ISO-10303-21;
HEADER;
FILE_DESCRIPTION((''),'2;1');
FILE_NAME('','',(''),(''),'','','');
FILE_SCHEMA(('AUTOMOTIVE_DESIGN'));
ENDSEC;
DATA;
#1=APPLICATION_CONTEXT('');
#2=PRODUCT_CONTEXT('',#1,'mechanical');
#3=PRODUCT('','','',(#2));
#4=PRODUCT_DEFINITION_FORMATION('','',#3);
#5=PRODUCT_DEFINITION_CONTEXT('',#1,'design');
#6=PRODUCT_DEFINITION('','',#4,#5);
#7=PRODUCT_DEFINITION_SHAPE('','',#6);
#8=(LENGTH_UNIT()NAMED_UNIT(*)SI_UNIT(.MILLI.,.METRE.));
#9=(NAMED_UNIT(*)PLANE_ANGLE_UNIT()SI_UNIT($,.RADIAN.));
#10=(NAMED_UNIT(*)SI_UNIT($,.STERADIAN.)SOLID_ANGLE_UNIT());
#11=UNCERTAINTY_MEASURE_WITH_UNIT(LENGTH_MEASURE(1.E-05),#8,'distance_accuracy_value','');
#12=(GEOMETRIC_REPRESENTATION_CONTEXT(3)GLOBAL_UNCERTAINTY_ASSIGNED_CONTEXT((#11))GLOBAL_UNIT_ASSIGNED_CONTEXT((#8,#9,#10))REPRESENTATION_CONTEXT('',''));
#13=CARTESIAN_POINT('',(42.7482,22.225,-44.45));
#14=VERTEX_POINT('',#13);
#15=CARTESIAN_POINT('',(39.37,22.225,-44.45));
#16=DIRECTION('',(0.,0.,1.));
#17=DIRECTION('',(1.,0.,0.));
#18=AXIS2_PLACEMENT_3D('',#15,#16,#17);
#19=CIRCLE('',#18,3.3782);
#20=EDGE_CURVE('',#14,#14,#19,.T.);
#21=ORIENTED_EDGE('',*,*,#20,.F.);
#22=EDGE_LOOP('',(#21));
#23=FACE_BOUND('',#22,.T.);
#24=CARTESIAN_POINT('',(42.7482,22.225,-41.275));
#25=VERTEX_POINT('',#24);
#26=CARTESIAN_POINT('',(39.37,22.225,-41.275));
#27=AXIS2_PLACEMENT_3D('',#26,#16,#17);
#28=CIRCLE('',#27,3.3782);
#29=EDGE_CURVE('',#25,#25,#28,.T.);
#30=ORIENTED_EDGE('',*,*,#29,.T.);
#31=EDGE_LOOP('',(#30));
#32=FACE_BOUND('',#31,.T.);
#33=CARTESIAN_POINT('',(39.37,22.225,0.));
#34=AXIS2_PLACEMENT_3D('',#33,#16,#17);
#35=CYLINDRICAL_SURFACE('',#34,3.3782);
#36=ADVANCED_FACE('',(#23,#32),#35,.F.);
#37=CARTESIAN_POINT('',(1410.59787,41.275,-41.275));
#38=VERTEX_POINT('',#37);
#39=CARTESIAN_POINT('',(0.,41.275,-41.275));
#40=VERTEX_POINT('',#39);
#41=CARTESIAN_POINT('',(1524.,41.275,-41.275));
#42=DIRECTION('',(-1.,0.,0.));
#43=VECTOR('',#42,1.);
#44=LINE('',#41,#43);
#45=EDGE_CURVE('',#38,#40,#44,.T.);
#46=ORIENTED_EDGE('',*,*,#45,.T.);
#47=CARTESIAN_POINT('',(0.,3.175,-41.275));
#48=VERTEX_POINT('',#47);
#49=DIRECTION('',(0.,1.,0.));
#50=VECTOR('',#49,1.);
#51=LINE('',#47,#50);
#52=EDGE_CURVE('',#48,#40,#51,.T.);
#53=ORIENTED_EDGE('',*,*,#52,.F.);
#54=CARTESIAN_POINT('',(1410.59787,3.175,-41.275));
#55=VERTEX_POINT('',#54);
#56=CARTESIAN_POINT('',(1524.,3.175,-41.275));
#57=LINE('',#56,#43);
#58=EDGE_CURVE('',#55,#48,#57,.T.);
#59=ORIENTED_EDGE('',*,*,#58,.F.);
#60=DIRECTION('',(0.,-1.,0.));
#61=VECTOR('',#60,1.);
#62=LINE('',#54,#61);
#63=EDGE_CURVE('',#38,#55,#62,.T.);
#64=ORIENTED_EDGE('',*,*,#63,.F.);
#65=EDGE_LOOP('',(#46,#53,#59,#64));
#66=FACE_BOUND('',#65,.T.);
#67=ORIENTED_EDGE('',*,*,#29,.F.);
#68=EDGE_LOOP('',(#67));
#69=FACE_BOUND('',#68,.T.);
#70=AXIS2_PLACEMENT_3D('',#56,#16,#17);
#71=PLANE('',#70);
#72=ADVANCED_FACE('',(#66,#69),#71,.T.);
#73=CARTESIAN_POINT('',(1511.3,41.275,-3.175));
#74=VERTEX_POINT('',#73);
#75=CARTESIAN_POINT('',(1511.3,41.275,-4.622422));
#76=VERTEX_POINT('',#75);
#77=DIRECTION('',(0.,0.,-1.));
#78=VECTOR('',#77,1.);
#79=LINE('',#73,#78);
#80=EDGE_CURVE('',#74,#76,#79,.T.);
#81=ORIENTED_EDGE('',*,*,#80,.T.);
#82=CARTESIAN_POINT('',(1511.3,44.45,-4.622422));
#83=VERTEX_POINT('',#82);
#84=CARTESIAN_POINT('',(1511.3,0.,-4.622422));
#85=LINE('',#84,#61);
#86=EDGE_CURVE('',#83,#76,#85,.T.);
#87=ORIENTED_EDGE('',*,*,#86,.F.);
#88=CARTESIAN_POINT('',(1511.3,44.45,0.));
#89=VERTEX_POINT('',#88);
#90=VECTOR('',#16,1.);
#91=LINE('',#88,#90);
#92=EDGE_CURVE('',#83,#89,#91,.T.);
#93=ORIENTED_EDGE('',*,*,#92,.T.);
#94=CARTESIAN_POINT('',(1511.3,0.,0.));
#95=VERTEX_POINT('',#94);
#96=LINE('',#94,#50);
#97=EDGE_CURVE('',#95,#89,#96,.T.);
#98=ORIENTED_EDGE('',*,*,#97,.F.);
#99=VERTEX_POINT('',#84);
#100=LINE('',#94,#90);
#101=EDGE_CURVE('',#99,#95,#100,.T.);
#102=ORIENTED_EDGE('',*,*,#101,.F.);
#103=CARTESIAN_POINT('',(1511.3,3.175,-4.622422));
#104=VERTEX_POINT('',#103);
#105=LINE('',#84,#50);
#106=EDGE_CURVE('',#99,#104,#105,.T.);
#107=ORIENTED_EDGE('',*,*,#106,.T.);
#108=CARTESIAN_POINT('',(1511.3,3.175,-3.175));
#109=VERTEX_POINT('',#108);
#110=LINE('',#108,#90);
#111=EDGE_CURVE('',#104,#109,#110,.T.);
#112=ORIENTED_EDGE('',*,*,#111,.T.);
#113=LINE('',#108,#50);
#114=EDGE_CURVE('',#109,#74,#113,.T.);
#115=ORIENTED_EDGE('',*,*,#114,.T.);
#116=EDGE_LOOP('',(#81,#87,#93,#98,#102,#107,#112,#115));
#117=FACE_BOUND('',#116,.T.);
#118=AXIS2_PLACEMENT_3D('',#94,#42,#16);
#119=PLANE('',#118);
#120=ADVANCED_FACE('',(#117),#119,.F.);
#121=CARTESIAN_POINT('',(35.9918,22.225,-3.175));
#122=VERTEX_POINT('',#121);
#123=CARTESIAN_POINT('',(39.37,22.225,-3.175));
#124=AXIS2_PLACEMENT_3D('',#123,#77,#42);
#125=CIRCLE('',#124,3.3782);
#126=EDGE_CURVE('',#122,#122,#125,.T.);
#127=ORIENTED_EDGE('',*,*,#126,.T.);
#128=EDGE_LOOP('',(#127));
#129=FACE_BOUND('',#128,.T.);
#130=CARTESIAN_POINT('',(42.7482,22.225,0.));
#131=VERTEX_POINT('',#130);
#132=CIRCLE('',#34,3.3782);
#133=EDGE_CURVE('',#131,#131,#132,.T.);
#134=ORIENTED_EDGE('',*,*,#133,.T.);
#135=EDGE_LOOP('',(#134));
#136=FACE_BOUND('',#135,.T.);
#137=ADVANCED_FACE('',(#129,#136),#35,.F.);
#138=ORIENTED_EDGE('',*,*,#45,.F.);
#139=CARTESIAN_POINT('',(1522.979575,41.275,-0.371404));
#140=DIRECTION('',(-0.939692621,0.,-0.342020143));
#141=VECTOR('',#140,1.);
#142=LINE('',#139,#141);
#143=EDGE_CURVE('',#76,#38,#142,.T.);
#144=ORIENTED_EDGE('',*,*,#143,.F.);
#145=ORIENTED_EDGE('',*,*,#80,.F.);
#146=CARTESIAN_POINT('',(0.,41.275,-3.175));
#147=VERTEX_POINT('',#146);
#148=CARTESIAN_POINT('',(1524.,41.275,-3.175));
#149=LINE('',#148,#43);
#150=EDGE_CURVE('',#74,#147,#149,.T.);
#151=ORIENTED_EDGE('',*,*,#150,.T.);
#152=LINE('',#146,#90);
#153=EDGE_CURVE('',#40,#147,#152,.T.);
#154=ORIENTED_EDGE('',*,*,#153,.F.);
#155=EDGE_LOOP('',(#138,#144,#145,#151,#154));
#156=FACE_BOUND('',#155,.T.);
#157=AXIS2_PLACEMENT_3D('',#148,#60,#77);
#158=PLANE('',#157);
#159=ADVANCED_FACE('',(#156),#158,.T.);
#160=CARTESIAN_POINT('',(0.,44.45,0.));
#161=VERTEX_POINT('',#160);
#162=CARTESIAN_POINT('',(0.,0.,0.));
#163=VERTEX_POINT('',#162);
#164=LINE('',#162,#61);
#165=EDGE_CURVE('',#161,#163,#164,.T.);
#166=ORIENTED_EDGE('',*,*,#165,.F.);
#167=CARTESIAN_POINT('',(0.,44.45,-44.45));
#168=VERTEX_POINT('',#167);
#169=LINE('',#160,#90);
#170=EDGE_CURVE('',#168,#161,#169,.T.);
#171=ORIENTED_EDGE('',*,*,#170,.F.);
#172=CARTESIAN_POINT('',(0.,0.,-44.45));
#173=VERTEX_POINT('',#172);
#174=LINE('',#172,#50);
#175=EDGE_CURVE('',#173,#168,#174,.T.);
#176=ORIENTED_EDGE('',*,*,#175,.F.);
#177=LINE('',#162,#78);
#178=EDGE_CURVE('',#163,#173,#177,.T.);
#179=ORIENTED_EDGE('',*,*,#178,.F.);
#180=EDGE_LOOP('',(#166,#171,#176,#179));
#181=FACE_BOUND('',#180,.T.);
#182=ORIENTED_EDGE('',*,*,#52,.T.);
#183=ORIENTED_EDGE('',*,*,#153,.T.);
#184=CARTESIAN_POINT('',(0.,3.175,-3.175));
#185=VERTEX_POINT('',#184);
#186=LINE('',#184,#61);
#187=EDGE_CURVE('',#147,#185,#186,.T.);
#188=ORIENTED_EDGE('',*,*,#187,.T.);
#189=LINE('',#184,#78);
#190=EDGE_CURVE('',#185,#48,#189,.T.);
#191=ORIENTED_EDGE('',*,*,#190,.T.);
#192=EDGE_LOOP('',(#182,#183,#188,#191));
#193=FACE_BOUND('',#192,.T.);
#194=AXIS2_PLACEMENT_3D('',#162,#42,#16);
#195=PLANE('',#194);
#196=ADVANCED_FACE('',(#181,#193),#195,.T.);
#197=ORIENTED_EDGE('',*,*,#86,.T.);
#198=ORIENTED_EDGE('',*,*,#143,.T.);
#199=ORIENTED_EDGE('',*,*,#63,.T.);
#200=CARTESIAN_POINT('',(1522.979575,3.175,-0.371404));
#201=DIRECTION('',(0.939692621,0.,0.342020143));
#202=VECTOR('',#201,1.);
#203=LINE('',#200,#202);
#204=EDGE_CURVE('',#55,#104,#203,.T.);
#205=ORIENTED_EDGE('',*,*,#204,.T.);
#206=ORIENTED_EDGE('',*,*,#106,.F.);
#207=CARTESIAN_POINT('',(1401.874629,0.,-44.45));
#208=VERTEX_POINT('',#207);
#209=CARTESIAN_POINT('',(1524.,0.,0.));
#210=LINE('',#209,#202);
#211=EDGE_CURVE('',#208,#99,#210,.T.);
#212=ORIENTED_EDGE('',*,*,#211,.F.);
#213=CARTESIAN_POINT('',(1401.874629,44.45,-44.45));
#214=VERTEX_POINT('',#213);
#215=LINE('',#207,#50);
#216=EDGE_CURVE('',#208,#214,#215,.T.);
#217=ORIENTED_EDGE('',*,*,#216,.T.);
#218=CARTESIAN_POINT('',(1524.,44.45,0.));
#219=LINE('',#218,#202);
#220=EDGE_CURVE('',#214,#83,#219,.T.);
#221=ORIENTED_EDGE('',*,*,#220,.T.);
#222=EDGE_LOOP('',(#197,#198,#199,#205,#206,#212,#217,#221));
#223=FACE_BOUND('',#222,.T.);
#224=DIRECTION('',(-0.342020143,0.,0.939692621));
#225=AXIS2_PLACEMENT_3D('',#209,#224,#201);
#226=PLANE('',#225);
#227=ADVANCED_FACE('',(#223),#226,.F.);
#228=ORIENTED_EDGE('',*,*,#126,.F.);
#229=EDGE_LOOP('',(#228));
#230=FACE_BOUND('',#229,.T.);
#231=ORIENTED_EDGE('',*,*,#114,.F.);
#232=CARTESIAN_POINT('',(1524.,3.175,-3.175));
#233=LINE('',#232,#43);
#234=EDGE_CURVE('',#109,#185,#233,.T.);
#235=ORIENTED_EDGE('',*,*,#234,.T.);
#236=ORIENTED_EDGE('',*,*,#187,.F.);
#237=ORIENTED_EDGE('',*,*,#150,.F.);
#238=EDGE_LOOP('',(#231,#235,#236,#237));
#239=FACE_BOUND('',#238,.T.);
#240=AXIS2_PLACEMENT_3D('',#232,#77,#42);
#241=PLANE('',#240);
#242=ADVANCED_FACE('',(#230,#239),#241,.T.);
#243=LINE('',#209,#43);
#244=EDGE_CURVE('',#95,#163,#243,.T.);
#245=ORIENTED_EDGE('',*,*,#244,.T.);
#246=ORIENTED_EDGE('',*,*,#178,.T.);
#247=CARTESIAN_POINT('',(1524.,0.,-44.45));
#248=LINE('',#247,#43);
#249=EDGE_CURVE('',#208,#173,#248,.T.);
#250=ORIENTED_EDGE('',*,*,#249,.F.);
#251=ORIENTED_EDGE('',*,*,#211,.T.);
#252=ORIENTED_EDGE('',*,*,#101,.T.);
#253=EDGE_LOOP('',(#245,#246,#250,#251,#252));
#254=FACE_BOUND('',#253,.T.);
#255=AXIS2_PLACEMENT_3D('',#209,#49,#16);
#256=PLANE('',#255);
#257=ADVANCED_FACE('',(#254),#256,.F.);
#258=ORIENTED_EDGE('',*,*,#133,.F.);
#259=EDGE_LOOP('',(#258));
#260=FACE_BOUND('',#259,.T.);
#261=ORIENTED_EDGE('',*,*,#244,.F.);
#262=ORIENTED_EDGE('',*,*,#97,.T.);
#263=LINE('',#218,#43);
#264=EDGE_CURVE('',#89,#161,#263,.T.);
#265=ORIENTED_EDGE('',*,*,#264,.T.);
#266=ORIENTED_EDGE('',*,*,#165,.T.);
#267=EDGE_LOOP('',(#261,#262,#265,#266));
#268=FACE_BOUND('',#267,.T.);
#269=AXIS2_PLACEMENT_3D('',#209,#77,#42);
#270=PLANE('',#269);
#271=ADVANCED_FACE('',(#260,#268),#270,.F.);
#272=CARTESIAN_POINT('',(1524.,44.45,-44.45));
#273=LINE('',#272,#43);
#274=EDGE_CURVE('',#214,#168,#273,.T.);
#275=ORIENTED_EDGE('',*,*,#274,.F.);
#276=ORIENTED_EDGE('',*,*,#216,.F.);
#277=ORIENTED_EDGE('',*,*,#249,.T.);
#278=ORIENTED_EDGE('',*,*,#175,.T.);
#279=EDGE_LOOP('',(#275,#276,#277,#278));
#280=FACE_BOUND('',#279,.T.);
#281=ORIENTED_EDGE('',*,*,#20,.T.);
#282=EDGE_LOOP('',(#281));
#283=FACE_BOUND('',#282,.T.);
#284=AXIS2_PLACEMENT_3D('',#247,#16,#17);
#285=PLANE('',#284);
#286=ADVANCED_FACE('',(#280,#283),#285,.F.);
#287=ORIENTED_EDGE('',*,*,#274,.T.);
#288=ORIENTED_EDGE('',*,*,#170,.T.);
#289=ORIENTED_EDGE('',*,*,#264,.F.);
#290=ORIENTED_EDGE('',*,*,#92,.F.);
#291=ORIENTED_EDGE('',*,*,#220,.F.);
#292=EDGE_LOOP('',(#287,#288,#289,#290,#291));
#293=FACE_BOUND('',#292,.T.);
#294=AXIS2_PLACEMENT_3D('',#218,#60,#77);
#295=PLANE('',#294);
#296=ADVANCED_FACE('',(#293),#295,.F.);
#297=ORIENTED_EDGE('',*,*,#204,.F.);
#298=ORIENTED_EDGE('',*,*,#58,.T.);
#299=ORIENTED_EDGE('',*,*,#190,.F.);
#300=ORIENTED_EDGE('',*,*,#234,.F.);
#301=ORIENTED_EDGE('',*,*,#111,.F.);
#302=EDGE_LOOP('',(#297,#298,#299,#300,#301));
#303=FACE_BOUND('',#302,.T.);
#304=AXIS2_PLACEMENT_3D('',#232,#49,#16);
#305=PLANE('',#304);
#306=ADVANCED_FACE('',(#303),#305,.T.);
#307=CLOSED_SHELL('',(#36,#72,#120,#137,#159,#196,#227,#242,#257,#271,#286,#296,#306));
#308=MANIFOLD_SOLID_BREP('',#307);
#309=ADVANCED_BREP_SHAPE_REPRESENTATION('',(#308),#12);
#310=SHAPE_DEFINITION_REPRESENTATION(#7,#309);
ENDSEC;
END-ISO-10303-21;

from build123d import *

# Parameters (mm, degrees)
SKETCH1_W               = 44.45
SKETCH1_H               = 44.45
SKETCH1_W_2             = 38.1
SKETCH1_H_2             = 38.1
BOSS_EXTRUDE1_DEPTH     = 1524
CUT_EXTRUDE1_DEPTH      = 45.45
F_1_4_CLEARANCE_HOLE1_D = 6.7564
CUT_EXTRUDE2_DEPTH      = 45.45


with BuildPart() as part:
    # Sketch1 → Boss-Extrude1 (new body)
    with BuildSketch(Plane(origin=(0, 0, 0), x_dir=(0, 0, -1), z_dir=(1, 0, 0))):
        with Locations((22.225, 22.225)):
            Rectangle(SKETCH1_W, SKETCH1_H)
        with Locations((22.225, 22.225)):
            Rectangle(SKETCH1_W_2, SKETCH1_H_2, mode=Mode.SUBTRACT)
    extrude(amount=BOSS_EXTRUDE1_DEPTH)

    # Sketch2 → Cut-Extrude1 (cut, through all)
    with BuildSketch(Plane(origin=(0, 44.45, 0), x_dir=(1, 0, 0), z_dir=(0, 1, 0))):
        Polygon((1524, 0), (1401.874628705, 44.45), (1524, 44.45), align=None)
    extrude(amount=-CUT_EXTRUDE1_DEPTH, mode=Mode.SUBTRACT)

    # 1/4 Clearance Hole1 (through all)
    with Locations(Plane.XY):
        with Locations((39.37, 22.225)):
            Hole(F_1_4_CLEARANCE_HOLE1_D / 2)

    # Sketch5 → Cut-Extrude2 (cut, through all)
    with BuildSketch(Plane(origin=(0, 44.45, 0), x_dir=(1, 0, 0), z_dir=(0, 1, 0))):
        Polygon((1524, 0), (1511.3, 0), (1511.3, 4.622421975), align=None)
    extrude(amount=-CUT_EXTRUDE2_DEPTH, mode=Mode.SUBTRACT)


solid = part.part
